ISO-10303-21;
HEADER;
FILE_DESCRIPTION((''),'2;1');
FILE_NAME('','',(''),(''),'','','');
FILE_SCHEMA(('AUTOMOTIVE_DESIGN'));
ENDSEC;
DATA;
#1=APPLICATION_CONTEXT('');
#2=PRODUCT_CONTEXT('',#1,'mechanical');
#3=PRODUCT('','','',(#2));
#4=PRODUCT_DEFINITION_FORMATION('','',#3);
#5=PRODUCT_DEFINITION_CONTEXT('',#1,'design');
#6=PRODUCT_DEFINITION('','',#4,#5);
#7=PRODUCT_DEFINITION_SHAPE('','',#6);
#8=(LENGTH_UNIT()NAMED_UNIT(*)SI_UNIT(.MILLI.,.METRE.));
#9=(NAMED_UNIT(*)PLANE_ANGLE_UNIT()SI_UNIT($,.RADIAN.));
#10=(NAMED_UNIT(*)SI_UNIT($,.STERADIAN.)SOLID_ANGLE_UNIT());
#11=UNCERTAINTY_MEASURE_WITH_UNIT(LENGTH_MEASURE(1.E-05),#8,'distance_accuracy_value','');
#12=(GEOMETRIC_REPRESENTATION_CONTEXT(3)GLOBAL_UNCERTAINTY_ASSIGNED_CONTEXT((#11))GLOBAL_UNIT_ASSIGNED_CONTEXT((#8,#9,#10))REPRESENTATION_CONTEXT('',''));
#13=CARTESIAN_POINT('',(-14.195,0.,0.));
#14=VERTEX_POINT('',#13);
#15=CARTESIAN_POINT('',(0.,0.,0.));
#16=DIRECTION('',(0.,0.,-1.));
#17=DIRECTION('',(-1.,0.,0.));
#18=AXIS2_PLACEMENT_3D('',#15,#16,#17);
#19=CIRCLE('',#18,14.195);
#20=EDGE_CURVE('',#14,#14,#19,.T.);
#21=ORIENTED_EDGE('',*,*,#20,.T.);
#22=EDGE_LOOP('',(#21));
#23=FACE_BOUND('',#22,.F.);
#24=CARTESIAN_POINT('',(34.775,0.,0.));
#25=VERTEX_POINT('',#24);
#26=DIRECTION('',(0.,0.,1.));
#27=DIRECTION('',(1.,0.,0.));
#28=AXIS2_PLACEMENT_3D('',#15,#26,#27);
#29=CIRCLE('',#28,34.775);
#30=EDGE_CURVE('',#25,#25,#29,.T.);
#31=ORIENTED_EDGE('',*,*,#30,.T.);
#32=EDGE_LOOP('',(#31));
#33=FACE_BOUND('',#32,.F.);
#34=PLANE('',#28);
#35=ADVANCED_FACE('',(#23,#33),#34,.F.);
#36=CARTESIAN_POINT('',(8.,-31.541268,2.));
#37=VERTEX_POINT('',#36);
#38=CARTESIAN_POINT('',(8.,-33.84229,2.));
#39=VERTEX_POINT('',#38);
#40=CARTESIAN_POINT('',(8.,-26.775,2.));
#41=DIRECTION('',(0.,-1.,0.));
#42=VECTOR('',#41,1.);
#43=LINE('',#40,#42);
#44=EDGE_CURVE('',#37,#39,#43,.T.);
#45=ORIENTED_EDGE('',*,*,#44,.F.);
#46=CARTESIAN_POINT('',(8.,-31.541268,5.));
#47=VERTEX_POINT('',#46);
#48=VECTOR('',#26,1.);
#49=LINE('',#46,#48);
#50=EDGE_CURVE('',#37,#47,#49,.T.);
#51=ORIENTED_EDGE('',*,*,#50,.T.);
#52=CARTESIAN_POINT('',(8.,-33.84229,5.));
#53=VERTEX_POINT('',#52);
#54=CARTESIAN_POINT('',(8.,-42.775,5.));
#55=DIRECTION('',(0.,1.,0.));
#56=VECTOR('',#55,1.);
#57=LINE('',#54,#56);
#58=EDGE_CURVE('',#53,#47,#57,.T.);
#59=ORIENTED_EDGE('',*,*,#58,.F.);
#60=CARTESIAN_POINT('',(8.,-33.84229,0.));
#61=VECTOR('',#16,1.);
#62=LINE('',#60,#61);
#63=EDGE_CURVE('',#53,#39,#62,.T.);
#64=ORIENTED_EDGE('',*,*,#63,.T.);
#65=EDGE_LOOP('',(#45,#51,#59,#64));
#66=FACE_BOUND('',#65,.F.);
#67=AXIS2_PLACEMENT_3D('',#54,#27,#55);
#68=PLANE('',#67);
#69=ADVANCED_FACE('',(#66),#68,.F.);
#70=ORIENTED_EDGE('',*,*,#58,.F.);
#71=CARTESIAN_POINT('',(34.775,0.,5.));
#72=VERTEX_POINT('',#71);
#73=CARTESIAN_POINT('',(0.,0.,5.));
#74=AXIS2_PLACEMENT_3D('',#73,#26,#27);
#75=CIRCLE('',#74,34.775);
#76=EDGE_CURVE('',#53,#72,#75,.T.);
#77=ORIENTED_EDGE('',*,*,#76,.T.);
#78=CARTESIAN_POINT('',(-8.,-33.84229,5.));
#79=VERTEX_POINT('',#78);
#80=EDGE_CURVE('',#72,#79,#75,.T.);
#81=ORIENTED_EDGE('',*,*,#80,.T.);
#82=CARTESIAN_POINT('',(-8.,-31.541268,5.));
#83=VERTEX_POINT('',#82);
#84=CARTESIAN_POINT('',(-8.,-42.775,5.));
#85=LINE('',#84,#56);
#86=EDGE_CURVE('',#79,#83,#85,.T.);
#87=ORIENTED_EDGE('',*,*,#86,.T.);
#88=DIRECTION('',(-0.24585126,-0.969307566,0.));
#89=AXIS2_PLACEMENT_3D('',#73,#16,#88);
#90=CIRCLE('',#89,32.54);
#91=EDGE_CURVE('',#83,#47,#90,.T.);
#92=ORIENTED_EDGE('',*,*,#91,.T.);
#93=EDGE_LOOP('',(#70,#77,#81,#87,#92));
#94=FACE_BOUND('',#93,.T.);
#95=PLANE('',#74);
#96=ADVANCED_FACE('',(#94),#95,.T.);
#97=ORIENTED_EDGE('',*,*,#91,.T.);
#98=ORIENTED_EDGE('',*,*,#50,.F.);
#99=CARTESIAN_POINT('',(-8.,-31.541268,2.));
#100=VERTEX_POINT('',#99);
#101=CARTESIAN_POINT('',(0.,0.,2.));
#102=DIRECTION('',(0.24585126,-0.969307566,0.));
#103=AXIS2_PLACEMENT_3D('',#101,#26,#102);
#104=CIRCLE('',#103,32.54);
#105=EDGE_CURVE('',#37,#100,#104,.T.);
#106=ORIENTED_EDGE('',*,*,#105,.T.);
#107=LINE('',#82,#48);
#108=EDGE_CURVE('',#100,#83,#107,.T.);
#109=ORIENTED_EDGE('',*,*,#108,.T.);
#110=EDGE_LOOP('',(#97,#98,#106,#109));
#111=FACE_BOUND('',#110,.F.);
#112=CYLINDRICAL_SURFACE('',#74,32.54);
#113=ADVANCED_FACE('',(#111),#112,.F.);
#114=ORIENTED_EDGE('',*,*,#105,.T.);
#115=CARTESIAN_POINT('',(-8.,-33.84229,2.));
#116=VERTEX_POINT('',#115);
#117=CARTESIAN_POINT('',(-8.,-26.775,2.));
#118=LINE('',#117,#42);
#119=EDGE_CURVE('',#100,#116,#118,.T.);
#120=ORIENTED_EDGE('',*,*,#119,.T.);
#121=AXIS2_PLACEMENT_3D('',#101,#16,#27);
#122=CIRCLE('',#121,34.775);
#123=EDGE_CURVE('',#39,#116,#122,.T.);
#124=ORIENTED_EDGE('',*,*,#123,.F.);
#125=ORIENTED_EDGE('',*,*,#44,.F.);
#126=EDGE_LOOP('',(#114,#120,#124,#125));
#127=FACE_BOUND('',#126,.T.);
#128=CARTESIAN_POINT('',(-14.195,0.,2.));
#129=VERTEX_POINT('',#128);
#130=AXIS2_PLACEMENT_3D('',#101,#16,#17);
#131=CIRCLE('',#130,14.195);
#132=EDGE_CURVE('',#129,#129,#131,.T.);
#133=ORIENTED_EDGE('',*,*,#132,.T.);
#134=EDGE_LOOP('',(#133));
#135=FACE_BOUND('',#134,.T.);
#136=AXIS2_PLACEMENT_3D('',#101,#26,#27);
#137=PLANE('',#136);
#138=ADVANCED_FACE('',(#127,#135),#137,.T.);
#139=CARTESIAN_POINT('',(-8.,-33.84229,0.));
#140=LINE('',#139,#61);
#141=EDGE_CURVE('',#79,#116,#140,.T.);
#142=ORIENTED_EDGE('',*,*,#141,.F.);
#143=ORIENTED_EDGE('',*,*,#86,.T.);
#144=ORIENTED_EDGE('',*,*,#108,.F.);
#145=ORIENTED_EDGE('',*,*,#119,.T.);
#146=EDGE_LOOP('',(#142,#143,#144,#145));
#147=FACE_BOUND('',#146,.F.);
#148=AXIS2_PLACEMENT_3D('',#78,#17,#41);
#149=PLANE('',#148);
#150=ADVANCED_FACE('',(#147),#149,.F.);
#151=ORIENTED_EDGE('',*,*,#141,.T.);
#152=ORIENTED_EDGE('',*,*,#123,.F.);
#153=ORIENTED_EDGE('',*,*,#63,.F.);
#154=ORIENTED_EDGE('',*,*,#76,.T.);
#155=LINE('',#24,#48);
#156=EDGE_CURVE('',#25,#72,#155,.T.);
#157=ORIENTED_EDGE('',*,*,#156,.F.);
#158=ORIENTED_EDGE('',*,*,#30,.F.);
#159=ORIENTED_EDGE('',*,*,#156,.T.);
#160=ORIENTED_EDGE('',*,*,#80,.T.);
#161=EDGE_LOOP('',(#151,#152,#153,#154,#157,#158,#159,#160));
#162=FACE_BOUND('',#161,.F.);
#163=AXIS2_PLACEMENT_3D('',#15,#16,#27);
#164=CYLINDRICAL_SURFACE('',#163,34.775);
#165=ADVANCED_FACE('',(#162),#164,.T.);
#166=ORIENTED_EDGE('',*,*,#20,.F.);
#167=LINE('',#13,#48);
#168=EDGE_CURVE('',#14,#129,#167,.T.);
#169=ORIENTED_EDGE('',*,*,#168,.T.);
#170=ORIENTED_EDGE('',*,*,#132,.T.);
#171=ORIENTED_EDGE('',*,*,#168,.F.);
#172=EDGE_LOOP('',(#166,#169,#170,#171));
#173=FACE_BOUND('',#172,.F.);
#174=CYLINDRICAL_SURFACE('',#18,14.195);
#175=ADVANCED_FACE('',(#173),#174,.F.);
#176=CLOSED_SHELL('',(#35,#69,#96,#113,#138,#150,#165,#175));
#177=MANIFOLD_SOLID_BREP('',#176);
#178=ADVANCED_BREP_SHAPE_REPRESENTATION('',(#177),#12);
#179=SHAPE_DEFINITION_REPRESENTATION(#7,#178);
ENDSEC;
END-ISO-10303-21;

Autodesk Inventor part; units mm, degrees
ref_plane "YZ Plane" through (0, 0, 0) normal (1, 0, 0) x (0, 1, 0)
ref_plane "XZ Plane" through (0, 0, 0) normal (0, 1, 0) x (-1, 0, 0)
ref_plane "XY Plane" through (0, 0, 0) normal (0, 0, 1) x (1, 0, 0)
sketch "Skizze1" plane through (0, 0, 0) normal (0, 0, 1) x (1, 0, 0)
  circle A0 centre (0, 0) radius 34.775
  dimension "d0" = 69.55
extrude "Extrusion1" add sketch "Skizze1" along normal blind 5
sketch "Skizze2" plane through (0, 0, 5) normal (0, 0, 1) x (1, 0, 0)
  circle A0 centre (0, 0) radius 32.54
  dimension "d3" = 65.08
extrude "Extrusion2" cut sketch "Skizze2" against normal blind 3
sketch "Skizze3" plane through (0, 0, 0) normal (0, 0, -1) x (-1, 0, 0)
  circle A0 centre (0, 0) radius 14.195
  dimension "d6" = 28.39
extrude "Extrusion3" cut sketch "Skizze3" against normal through all
sketch "Skizze4" plane through (0, 0, 5) normal (0, 0, 1) x (1, 0, 0)
  line L0 (-8, -42.775) -> (8, -42.775)
  line L1 (8, -42.775) -> (8, -26.775)
  line L2 (8, -26.775) -> (-8, -26.775)
  line L3 (-8, -26.775) -> (-8, -42.775)
  circle A0 centre (0, 0) radius 34.775 projected
  line L4 (-8, -42.775) -> (8, -26.775) construction
  line L5 (8, -42.775) -> (-8, -26.775) construction
  point P0 (0, -34.775)
  dimension "d9" = 16
  dimension "d10" = 16
extrude "Extrusion4" cut sketch "Skizze4" against normal up to surface (3 mm away) contours L3 A0 L1 L0 | L3 L2 L1 A0 picked at (0.896, -29.407)
properties part number "2024_08_28_Holder_disk_GL25"
